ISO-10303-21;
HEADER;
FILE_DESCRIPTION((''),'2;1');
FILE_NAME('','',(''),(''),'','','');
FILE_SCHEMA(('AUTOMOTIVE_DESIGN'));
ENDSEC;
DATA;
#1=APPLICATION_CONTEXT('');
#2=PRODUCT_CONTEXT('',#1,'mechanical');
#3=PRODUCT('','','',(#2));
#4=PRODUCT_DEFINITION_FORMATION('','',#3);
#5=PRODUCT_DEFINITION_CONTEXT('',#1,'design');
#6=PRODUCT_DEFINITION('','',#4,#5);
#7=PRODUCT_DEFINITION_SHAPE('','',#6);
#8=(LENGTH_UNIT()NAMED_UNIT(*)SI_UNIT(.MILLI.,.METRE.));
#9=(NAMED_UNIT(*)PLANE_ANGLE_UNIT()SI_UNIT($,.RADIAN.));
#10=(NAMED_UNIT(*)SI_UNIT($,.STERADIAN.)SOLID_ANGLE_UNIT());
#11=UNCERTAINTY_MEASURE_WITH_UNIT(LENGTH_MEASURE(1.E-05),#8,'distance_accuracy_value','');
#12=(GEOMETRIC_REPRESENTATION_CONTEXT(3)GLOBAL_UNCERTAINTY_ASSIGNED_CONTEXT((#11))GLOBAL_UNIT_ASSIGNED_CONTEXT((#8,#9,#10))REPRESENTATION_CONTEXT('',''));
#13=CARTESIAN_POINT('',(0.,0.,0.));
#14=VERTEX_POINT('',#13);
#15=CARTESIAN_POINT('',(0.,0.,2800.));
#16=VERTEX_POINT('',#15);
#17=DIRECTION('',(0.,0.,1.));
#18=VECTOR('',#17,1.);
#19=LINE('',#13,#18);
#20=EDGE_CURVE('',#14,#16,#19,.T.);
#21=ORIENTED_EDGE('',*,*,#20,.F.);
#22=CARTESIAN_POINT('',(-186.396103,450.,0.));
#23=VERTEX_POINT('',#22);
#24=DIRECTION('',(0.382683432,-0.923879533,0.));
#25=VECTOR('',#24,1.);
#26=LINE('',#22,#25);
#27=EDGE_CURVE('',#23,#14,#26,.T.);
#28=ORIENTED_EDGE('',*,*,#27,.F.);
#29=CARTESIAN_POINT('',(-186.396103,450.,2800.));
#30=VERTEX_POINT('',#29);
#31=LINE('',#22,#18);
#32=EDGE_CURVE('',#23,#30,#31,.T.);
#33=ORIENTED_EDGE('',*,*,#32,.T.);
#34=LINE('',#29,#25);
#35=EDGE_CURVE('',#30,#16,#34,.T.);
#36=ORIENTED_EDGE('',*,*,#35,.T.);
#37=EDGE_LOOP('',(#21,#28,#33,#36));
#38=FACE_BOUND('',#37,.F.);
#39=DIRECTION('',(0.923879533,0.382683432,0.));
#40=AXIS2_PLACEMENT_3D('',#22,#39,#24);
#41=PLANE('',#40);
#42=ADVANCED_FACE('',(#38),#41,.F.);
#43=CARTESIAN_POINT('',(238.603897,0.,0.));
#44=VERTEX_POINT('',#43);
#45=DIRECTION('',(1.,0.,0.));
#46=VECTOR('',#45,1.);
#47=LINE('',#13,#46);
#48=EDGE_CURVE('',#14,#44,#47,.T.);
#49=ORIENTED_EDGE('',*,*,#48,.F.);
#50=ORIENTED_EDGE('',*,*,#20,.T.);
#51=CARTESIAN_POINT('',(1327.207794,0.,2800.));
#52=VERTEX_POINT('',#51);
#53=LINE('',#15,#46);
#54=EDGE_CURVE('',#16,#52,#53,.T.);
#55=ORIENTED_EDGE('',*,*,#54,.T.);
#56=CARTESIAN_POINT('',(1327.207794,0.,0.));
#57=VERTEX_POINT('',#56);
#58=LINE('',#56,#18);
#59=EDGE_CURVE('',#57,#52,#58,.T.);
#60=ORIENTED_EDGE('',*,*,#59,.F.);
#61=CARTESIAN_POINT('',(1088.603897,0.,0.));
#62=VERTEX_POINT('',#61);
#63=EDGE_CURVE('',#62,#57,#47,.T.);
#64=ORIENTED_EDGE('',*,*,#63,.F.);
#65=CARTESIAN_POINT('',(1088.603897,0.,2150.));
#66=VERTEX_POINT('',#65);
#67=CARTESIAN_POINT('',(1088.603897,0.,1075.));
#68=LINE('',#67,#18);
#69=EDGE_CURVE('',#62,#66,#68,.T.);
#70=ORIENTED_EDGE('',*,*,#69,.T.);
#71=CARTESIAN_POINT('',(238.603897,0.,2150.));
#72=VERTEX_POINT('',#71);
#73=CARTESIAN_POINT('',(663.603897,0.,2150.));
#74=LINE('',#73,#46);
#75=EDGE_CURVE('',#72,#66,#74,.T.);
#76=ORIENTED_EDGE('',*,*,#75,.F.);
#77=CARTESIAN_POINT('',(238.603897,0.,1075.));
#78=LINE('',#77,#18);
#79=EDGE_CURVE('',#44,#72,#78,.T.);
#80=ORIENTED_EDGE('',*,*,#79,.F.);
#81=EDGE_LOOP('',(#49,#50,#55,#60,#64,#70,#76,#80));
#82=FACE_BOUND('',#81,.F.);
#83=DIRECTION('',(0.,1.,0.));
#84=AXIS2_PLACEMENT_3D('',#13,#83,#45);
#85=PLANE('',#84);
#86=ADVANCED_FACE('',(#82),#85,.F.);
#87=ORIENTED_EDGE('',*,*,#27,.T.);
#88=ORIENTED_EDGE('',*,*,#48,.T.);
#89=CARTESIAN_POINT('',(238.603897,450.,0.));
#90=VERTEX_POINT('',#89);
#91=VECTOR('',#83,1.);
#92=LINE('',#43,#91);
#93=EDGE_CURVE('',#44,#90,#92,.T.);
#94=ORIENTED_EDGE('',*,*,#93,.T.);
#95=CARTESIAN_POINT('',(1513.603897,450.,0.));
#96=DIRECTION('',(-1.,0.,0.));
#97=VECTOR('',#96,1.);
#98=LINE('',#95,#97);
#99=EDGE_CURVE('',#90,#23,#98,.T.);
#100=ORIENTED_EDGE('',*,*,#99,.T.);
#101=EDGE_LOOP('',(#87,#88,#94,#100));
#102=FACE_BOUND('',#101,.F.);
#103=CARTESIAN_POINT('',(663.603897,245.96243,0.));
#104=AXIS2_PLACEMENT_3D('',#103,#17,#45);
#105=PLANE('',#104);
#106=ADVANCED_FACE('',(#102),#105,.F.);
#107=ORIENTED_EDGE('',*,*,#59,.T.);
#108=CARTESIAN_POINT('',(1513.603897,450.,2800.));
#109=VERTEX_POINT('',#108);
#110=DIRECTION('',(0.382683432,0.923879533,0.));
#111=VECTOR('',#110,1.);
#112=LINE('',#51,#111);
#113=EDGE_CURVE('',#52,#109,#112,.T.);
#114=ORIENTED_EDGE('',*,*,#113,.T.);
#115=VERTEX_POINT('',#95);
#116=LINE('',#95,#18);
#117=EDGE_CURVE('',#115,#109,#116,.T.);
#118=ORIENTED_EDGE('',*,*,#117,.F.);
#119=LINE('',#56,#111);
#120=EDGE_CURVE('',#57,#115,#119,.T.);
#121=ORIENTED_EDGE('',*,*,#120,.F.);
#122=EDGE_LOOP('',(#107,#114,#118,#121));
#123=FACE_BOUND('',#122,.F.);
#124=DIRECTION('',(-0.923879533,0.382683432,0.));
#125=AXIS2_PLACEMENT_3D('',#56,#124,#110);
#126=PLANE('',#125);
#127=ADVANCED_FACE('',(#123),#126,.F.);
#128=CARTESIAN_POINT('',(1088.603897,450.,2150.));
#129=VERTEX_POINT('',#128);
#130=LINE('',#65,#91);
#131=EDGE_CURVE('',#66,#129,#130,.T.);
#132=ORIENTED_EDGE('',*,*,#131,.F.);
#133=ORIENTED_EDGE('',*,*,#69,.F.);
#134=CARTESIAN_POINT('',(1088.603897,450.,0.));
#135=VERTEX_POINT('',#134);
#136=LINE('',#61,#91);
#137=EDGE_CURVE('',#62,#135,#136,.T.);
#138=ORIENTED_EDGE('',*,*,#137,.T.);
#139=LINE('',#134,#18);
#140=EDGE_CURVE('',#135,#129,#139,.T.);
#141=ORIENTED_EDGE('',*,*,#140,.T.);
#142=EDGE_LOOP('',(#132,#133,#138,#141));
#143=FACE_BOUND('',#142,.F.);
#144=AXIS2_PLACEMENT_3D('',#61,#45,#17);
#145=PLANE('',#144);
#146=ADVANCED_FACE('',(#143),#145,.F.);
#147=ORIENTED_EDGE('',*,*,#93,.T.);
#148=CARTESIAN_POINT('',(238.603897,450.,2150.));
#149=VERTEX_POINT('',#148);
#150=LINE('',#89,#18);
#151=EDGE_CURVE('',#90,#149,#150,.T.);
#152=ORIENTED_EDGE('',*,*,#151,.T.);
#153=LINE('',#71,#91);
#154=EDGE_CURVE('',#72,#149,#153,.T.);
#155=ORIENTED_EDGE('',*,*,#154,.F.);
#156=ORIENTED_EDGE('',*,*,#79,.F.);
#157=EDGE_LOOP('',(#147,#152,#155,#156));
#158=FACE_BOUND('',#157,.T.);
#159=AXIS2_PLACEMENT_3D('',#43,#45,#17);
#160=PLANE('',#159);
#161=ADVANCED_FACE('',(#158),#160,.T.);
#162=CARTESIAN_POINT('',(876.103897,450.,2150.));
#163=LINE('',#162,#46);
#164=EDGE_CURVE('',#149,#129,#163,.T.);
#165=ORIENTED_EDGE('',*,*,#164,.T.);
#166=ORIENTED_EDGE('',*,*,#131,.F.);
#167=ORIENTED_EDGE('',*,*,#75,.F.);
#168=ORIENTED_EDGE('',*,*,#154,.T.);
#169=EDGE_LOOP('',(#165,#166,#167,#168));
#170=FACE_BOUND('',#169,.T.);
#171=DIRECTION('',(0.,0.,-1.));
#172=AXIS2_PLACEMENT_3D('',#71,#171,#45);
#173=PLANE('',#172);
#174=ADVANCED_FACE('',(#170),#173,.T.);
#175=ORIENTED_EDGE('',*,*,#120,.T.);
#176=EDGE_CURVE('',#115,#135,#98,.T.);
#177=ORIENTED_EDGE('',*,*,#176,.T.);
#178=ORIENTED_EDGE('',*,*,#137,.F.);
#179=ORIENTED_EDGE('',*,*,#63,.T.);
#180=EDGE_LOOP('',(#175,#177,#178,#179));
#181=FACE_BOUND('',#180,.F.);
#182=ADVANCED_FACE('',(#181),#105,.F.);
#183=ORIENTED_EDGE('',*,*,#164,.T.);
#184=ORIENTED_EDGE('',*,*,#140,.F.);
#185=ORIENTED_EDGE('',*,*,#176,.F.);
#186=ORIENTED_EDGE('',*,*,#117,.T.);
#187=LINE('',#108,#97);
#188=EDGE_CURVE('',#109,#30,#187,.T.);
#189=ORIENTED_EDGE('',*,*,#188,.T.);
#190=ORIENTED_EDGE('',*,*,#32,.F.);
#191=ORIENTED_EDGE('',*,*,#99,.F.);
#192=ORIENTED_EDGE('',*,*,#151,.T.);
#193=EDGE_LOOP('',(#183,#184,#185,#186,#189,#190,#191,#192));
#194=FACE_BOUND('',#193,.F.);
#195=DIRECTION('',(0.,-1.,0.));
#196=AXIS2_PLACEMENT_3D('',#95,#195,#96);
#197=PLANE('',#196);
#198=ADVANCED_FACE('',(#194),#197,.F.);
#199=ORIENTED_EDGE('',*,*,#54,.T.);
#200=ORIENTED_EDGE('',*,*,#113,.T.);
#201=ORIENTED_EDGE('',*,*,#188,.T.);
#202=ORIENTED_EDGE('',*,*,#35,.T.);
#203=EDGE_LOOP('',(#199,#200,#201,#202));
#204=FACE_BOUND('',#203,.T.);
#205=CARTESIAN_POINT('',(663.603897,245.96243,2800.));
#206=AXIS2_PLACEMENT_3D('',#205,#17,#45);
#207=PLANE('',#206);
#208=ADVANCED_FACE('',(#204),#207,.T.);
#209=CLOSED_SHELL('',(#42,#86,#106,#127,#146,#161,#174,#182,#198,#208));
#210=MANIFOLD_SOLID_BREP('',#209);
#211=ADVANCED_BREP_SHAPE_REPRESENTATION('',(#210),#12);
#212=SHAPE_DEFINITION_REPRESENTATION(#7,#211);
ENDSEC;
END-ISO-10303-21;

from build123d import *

# Parameters (mm, degrees)
F1_DEPTH = 2800
F2_W     = 850
F2_H     = 2150
F3_DEPTH = 450.001


with BuildPart() as f1:
    # F0 (on Top) → F1 (new body)
    with BuildSketch(Plane.XY):
        Polygon((-186.396103, 450), (0, 0), (1327.207794, 0), (1513.603897, 450), align=None)
    extrude(amount=F1_DEPTH)

    # F2 (on face) → F3 (cut, through all)
    with BuildSketch(Plane.XZ):
        with Locations((663.603897, 1075)):
            Rectangle(F2_W, F2_H)
    extrude(amount=-F3_DEPTH, mode=Mode.SUBTRACT)


solid = f1.part
